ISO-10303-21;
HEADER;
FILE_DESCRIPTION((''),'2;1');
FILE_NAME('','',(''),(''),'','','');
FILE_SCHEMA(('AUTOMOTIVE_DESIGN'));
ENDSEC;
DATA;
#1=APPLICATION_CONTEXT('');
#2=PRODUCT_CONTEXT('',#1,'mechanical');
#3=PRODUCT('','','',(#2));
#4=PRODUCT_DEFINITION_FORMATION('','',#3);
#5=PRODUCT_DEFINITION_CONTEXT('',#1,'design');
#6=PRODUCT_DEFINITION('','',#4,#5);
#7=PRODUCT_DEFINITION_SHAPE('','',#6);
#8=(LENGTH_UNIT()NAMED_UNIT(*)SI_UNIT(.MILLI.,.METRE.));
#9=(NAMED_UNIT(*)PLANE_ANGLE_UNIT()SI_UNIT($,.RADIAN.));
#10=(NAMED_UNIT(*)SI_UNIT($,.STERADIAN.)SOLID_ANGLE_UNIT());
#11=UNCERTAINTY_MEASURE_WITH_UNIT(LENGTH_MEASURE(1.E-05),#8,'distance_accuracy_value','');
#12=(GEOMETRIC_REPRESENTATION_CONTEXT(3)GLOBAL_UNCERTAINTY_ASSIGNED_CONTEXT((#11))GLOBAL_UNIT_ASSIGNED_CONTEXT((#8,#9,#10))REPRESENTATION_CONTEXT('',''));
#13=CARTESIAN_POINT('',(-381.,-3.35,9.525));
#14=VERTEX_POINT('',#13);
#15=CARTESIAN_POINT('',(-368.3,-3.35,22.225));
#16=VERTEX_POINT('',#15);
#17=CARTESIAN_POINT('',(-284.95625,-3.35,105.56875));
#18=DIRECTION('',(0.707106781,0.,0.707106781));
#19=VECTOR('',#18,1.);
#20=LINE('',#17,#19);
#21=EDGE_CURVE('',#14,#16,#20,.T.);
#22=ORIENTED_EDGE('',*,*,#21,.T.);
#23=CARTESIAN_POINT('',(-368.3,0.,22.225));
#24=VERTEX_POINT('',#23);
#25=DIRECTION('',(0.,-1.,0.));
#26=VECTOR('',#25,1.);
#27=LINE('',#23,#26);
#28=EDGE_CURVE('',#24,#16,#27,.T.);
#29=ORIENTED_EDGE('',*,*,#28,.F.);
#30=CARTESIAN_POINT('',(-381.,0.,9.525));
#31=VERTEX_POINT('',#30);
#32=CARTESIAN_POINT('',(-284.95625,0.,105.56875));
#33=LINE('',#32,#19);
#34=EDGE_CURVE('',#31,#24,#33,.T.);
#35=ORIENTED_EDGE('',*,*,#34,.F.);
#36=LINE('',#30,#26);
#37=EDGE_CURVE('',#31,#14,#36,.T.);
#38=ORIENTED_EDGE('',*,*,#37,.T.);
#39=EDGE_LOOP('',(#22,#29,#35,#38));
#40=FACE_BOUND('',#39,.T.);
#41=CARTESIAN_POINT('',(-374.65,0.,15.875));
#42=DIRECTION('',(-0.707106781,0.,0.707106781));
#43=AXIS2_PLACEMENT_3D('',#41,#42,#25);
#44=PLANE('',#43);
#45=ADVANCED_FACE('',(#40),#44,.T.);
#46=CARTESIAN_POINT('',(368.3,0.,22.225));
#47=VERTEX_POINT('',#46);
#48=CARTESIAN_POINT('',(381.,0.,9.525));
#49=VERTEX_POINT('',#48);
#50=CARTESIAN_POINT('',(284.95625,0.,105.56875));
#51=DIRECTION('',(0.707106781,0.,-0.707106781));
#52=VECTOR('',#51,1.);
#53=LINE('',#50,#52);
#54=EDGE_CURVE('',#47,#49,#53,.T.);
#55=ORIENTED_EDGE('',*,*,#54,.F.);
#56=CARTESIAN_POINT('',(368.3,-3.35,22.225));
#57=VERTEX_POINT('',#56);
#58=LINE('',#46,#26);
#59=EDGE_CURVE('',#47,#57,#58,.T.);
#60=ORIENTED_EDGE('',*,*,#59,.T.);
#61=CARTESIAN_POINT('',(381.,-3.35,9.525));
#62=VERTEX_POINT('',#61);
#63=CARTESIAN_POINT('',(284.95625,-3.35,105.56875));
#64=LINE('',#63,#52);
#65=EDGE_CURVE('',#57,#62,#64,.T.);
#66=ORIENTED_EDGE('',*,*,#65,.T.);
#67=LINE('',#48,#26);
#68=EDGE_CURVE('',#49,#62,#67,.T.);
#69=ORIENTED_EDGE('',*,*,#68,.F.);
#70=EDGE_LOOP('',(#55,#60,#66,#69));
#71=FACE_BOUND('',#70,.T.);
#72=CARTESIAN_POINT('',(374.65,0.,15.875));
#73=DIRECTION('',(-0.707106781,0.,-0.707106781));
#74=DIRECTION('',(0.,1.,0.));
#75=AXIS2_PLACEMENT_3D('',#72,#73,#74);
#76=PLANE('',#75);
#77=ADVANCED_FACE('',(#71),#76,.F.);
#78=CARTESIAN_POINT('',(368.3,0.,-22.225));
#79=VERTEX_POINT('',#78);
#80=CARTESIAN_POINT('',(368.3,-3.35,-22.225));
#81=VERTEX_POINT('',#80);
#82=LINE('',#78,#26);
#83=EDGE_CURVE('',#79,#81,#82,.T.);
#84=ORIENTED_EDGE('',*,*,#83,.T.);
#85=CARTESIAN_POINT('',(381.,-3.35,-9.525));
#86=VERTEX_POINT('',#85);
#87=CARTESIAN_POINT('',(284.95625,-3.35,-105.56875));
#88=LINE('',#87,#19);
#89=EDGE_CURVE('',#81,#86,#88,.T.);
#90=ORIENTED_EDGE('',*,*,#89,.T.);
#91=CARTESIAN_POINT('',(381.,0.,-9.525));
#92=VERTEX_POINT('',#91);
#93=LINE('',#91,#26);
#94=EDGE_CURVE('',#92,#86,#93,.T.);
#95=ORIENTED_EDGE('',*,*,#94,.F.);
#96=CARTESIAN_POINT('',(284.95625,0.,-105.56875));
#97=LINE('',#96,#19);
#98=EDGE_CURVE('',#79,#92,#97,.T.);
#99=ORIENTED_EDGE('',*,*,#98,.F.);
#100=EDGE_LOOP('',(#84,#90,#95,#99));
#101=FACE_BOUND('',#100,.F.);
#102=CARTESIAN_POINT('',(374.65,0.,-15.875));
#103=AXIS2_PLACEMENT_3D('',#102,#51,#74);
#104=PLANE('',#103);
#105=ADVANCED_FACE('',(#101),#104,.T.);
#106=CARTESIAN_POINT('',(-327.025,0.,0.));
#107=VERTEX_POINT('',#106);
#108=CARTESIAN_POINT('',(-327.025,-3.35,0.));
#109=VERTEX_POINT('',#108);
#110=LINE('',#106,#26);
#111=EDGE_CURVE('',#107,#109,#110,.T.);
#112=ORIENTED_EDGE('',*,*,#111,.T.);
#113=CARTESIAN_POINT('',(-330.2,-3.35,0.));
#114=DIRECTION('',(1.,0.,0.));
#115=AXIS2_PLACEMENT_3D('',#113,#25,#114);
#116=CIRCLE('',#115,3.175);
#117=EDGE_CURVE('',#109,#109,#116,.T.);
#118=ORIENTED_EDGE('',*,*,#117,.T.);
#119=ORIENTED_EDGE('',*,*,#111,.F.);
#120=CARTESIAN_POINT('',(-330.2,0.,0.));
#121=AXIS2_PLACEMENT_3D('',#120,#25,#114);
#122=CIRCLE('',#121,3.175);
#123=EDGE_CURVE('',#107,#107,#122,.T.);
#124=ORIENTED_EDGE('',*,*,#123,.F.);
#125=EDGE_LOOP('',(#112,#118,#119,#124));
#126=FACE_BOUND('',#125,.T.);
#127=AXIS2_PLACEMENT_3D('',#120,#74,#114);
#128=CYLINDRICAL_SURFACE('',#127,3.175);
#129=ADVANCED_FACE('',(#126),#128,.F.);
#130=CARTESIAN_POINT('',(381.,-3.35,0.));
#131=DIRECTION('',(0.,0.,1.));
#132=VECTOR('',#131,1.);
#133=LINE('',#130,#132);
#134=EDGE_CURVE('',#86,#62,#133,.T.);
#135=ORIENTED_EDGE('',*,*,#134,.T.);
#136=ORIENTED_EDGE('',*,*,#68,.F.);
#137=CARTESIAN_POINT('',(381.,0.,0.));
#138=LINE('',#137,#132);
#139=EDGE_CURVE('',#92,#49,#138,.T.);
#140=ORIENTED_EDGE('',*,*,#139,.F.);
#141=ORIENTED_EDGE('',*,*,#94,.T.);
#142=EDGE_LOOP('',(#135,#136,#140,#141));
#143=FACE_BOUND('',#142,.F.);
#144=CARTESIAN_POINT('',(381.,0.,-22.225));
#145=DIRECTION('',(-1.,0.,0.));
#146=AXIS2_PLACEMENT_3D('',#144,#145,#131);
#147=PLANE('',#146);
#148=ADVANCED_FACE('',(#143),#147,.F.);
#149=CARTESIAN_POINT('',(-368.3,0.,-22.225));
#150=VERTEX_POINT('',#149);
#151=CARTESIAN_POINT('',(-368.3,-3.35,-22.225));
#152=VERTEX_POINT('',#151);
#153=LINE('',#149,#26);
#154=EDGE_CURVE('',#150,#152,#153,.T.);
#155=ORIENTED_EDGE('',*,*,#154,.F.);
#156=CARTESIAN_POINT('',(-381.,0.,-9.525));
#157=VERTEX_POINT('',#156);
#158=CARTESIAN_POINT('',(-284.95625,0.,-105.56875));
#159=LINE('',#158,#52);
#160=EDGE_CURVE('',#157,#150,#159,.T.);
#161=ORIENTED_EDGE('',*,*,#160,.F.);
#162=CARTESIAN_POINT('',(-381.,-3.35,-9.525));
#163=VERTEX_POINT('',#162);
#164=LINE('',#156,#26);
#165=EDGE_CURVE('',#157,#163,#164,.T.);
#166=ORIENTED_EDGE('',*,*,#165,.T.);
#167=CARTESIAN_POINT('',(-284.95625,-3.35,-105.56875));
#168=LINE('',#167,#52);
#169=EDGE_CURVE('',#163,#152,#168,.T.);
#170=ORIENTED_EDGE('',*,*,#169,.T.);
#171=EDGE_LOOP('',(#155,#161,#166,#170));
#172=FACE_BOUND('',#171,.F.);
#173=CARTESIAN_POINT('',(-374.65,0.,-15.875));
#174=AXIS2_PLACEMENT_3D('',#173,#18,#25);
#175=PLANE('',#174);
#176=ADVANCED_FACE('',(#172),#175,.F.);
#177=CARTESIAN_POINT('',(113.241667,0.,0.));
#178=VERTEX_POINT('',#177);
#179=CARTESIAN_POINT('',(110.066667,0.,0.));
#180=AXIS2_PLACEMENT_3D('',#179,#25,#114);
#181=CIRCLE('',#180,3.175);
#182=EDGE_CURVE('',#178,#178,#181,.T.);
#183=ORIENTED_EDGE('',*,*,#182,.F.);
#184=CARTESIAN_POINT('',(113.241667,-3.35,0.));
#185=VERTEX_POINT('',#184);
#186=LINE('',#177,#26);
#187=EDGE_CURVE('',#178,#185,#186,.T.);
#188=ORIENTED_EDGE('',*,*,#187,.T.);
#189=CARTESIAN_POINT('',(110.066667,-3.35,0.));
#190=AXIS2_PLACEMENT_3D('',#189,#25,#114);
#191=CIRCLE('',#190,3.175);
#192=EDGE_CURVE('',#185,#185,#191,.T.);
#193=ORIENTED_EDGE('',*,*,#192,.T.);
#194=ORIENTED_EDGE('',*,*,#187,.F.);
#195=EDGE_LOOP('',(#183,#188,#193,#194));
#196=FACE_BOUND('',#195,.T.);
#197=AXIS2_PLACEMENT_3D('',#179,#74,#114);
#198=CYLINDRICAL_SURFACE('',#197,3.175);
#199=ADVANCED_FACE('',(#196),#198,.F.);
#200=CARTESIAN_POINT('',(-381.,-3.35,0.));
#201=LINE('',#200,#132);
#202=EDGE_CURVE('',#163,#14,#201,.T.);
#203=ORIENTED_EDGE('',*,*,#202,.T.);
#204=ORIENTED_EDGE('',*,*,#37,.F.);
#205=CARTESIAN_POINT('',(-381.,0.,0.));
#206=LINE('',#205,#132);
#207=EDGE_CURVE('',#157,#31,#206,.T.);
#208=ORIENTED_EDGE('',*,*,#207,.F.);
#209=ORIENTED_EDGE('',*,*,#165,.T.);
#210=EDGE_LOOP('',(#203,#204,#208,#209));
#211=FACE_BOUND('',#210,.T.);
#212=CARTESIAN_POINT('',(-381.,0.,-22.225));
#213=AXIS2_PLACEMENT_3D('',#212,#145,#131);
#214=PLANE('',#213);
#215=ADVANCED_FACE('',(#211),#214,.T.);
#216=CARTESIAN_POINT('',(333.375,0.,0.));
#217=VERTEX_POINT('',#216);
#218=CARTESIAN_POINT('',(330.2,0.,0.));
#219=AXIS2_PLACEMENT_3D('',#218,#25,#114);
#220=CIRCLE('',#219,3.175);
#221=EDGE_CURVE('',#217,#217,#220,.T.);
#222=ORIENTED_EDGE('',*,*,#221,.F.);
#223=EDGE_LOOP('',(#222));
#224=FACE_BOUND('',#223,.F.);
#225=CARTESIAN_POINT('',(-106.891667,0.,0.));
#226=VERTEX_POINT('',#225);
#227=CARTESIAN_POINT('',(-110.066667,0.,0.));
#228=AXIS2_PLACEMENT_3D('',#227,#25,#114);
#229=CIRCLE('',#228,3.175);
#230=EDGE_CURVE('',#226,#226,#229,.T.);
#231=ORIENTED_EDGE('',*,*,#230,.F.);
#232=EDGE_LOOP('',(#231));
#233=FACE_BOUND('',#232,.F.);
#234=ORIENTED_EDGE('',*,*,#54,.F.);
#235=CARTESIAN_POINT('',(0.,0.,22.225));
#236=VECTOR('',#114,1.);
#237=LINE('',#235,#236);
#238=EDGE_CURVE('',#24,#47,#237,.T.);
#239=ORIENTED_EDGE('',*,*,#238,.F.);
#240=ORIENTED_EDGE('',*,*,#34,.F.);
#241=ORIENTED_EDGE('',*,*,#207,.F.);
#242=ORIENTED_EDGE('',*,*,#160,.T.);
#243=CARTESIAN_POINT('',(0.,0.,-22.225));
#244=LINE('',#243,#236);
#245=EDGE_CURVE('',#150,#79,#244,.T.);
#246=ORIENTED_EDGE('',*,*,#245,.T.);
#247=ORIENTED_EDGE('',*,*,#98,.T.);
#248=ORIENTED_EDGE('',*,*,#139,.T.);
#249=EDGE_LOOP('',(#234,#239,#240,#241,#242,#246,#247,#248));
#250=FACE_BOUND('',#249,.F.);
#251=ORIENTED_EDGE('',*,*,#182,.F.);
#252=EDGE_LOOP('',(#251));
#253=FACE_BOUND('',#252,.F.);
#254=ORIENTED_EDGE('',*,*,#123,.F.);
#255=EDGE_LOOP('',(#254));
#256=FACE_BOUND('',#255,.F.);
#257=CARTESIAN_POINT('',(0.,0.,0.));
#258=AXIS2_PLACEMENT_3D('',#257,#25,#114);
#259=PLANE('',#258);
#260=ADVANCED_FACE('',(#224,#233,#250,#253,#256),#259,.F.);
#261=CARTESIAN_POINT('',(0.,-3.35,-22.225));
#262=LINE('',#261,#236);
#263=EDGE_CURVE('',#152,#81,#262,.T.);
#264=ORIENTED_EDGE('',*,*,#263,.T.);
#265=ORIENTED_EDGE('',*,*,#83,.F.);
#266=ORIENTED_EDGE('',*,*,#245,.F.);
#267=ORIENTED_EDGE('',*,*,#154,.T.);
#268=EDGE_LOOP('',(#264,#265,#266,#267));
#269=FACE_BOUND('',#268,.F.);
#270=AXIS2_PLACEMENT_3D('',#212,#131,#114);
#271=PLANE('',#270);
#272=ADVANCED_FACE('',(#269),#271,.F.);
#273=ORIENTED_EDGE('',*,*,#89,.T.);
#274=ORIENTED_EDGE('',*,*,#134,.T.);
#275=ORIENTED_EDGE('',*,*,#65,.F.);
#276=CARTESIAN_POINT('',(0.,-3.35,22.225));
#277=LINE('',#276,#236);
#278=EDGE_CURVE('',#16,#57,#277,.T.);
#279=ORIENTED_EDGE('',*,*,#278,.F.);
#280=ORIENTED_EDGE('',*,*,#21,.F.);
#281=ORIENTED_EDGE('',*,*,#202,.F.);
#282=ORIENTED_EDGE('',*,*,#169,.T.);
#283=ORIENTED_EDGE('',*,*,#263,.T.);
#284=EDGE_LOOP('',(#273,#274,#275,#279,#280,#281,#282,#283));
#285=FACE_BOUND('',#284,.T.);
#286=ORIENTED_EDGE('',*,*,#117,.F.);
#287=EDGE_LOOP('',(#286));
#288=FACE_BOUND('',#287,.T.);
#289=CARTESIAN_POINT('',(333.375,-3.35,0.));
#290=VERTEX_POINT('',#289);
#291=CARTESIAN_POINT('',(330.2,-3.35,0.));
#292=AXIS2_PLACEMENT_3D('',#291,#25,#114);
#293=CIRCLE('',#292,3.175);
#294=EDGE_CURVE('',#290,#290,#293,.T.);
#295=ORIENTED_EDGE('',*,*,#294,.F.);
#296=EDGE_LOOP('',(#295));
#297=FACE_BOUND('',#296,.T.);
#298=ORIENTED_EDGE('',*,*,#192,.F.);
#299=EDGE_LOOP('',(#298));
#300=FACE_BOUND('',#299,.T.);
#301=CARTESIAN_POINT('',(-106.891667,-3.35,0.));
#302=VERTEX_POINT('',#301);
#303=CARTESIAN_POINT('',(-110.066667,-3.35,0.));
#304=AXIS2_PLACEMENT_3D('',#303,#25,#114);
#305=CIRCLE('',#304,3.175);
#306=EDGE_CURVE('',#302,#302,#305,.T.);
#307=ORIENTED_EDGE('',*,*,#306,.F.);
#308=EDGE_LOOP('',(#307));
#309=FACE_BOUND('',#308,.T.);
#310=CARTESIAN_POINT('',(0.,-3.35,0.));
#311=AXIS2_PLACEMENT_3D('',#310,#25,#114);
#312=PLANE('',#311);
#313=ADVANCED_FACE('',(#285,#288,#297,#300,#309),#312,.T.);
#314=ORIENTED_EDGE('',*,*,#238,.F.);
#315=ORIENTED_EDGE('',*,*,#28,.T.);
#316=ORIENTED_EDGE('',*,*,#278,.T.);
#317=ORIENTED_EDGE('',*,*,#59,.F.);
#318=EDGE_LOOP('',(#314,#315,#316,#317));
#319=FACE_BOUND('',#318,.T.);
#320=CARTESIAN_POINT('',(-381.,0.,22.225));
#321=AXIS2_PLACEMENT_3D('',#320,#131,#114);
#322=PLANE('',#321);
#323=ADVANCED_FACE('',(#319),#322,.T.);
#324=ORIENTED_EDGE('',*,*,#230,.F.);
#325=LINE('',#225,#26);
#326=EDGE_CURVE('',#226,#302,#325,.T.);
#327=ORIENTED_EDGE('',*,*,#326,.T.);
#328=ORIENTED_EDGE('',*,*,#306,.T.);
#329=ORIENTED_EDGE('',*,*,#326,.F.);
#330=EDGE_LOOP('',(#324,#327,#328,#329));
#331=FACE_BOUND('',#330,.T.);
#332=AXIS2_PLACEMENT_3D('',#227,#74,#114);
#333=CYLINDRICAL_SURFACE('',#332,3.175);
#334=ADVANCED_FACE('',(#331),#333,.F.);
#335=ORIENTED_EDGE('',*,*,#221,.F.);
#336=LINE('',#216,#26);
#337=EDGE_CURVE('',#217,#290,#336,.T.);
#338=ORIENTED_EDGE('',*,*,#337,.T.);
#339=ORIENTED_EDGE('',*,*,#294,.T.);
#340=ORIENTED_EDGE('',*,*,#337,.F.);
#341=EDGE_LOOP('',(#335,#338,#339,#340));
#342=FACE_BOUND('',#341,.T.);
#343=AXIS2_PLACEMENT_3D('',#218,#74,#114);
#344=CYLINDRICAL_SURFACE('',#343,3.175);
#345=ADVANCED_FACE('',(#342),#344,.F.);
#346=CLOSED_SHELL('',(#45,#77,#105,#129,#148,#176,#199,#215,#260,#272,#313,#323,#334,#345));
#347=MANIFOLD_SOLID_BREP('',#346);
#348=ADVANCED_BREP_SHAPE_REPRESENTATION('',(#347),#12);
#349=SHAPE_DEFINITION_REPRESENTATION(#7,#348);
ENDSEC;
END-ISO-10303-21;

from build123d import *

# Parameters (mm, degrees)
F0_W     = 762
F0_H     = 44.45
F0_R     = 3.175
F1_DEPTH = 3.35
F2_SIZE  = 12.7


with BuildPart() as f1:
    # F0 (on Front) → F1 (new body)
    with BuildSketch(Plane.XZ):
        Rectangle(F0_W, F0_H)
        with Locations((-330.2, 0)):
            Circle(F0_R, mode=Mode.SUBTRACT)
        with Locations((-110.066667, 0)):
            Circle(F0_R, mode=Mode.SUBTRACT)
        with Locations((110.066667, 0)):
            Circle(F0_R, mode=Mode.SUBTRACT)
        with Locations((330.2, 0)):
            Circle(F0_R, mode=Mode.SUBTRACT)
    extrude(amount=F1_DEPTH)

    # F2
    f2_edges = [f1.edges().sort_by_distance(p)[0] for p in [
        (381, -1.675, -22.225),
        (381, -1.675, 22.225),
        (-381, -1.675, 22.225),
        (-381, -1.675, -22.225),
    ]]
    chamfer(f2_edges, length=F2_SIZE)


solid = f1.part
